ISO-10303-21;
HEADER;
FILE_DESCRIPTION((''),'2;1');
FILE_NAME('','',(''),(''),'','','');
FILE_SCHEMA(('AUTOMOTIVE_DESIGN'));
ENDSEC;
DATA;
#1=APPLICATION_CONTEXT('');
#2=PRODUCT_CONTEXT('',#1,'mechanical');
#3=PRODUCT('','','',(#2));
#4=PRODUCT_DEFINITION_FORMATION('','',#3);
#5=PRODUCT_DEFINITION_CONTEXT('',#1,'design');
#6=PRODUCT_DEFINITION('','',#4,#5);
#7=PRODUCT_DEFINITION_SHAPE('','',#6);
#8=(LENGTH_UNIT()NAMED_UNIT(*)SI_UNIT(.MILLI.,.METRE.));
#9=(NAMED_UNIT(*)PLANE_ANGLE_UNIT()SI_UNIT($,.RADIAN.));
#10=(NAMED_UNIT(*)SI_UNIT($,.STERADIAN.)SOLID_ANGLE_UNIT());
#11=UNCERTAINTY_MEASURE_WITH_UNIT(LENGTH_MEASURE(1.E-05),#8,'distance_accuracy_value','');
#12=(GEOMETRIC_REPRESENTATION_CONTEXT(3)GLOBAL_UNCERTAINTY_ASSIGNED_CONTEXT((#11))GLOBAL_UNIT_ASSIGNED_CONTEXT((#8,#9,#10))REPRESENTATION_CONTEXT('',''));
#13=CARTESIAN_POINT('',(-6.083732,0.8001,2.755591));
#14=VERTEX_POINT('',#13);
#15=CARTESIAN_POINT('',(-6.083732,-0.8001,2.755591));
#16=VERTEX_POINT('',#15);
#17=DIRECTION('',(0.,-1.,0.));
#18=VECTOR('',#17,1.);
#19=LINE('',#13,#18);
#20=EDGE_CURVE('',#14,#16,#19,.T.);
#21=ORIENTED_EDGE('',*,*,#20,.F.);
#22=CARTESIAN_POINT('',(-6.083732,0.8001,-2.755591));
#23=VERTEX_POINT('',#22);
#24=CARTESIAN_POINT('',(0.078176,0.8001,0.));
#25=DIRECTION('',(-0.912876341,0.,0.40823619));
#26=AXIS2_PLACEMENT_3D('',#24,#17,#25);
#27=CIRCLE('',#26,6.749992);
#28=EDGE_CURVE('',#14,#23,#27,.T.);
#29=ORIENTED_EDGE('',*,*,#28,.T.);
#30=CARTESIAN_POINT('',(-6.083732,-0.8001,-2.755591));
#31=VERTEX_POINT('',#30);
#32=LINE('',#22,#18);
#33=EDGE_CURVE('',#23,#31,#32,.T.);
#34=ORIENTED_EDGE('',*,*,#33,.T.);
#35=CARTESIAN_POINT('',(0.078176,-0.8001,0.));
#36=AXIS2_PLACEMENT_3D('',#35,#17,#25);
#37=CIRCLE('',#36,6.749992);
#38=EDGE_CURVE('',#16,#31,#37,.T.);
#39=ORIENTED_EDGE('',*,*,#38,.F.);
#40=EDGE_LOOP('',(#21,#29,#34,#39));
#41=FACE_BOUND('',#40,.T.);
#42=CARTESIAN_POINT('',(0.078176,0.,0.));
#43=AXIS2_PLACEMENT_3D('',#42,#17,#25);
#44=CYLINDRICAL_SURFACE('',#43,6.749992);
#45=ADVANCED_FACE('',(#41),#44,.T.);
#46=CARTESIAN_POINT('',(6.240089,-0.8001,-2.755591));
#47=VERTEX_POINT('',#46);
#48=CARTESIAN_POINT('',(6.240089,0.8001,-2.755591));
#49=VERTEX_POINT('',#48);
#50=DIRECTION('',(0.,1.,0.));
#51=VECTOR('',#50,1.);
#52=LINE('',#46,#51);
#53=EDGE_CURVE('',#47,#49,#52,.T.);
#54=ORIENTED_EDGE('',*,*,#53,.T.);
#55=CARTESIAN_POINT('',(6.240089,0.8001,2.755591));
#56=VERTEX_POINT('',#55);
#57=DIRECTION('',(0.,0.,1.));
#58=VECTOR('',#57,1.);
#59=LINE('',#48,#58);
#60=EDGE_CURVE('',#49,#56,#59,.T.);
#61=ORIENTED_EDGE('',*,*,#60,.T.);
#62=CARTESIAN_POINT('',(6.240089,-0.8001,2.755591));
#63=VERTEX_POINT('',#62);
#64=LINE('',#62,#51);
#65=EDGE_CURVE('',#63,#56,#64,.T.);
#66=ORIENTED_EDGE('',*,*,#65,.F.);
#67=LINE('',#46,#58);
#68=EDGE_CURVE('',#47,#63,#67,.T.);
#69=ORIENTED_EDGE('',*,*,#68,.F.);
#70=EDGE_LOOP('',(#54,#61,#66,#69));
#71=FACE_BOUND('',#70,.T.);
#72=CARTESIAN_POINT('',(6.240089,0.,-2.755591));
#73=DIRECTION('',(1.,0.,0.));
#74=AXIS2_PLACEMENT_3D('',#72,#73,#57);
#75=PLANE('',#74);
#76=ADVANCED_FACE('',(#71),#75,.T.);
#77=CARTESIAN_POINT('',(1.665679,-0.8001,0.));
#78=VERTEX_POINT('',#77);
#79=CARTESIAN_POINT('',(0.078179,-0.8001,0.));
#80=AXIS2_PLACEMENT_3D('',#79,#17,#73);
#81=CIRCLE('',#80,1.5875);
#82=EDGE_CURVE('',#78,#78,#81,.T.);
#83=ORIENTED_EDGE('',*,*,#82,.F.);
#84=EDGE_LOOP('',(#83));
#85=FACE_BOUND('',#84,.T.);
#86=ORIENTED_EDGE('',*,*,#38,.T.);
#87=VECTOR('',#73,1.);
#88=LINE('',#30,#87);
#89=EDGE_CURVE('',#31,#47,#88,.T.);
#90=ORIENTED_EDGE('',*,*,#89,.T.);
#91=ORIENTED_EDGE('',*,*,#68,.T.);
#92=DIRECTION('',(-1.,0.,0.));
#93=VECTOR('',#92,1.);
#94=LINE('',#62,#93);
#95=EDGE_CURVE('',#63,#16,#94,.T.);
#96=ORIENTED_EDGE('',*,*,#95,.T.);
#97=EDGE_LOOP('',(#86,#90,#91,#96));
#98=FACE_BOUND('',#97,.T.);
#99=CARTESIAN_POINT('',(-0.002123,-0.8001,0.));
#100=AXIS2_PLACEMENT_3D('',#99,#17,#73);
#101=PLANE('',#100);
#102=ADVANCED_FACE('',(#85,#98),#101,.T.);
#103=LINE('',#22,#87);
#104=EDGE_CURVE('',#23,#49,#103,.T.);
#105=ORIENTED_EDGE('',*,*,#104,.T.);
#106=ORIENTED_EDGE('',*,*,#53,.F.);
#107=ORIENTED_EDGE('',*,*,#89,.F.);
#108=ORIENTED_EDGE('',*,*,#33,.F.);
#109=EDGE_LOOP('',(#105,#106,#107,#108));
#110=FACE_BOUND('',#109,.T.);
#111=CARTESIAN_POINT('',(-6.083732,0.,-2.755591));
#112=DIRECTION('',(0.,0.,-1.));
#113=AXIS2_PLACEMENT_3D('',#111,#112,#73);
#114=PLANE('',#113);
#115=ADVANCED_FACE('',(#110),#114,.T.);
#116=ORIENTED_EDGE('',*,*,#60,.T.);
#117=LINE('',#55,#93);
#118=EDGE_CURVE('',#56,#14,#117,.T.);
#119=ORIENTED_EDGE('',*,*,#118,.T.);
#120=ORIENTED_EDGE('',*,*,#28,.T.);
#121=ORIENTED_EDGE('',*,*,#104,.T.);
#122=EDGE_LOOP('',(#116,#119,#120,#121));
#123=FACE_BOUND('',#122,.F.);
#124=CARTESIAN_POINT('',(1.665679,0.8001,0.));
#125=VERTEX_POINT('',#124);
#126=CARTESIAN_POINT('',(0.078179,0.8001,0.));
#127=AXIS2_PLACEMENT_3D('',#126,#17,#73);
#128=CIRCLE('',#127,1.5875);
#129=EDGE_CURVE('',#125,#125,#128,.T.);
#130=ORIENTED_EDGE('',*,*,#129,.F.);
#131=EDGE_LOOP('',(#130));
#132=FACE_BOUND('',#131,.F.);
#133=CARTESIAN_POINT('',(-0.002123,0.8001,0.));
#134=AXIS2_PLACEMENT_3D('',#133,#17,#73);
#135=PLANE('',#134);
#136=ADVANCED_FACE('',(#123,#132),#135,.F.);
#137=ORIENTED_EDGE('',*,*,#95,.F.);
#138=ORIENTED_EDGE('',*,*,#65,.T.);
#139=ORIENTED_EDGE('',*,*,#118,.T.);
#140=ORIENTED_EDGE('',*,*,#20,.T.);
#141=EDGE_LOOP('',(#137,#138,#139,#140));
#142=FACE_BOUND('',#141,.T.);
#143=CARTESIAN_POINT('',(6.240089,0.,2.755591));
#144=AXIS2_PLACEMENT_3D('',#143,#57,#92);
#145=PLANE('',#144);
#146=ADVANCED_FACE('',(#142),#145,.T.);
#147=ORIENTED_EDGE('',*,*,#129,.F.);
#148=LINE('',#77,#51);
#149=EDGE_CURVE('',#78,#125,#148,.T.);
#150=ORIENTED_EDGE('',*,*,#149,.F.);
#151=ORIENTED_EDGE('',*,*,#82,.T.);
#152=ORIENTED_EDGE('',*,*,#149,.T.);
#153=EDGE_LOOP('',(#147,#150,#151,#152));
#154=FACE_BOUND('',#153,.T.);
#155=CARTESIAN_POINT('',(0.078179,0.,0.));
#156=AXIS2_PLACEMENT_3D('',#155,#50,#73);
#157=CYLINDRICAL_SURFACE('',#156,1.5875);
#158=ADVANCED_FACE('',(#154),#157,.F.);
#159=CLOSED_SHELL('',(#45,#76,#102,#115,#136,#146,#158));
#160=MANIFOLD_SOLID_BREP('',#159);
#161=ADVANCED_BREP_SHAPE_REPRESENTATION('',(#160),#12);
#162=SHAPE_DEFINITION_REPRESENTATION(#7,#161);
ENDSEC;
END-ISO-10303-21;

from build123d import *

# Parameters (mm, degrees)
F0_R     = 1.5875
F1_DEPTH = 0.8001


with BuildPart() as f1:
    # F0 (on Front) → F1 (new body, symmetric)
    with BuildSketch(Plane.XZ):
        with BuildLine():
            Line((6.240089, 2.755591), (-6.083732, 2.755591))
            ThreePointArc((-6.083732, 2.755591), (-6.671816, 0), (-6.083732, -2.755591))
            Line((-6.083732, -2.755591), (6.240089, -2.755591))
            Line((6.240089, -2.755591), (6.240089, 2.755591))
        make_face()
        with Locations((0.078179, 0)):
            Circle(F0_R, mode=Mode.SUBTRACT)
    extrude(amount=F1_DEPTH, both=True)


solid = f1.part
